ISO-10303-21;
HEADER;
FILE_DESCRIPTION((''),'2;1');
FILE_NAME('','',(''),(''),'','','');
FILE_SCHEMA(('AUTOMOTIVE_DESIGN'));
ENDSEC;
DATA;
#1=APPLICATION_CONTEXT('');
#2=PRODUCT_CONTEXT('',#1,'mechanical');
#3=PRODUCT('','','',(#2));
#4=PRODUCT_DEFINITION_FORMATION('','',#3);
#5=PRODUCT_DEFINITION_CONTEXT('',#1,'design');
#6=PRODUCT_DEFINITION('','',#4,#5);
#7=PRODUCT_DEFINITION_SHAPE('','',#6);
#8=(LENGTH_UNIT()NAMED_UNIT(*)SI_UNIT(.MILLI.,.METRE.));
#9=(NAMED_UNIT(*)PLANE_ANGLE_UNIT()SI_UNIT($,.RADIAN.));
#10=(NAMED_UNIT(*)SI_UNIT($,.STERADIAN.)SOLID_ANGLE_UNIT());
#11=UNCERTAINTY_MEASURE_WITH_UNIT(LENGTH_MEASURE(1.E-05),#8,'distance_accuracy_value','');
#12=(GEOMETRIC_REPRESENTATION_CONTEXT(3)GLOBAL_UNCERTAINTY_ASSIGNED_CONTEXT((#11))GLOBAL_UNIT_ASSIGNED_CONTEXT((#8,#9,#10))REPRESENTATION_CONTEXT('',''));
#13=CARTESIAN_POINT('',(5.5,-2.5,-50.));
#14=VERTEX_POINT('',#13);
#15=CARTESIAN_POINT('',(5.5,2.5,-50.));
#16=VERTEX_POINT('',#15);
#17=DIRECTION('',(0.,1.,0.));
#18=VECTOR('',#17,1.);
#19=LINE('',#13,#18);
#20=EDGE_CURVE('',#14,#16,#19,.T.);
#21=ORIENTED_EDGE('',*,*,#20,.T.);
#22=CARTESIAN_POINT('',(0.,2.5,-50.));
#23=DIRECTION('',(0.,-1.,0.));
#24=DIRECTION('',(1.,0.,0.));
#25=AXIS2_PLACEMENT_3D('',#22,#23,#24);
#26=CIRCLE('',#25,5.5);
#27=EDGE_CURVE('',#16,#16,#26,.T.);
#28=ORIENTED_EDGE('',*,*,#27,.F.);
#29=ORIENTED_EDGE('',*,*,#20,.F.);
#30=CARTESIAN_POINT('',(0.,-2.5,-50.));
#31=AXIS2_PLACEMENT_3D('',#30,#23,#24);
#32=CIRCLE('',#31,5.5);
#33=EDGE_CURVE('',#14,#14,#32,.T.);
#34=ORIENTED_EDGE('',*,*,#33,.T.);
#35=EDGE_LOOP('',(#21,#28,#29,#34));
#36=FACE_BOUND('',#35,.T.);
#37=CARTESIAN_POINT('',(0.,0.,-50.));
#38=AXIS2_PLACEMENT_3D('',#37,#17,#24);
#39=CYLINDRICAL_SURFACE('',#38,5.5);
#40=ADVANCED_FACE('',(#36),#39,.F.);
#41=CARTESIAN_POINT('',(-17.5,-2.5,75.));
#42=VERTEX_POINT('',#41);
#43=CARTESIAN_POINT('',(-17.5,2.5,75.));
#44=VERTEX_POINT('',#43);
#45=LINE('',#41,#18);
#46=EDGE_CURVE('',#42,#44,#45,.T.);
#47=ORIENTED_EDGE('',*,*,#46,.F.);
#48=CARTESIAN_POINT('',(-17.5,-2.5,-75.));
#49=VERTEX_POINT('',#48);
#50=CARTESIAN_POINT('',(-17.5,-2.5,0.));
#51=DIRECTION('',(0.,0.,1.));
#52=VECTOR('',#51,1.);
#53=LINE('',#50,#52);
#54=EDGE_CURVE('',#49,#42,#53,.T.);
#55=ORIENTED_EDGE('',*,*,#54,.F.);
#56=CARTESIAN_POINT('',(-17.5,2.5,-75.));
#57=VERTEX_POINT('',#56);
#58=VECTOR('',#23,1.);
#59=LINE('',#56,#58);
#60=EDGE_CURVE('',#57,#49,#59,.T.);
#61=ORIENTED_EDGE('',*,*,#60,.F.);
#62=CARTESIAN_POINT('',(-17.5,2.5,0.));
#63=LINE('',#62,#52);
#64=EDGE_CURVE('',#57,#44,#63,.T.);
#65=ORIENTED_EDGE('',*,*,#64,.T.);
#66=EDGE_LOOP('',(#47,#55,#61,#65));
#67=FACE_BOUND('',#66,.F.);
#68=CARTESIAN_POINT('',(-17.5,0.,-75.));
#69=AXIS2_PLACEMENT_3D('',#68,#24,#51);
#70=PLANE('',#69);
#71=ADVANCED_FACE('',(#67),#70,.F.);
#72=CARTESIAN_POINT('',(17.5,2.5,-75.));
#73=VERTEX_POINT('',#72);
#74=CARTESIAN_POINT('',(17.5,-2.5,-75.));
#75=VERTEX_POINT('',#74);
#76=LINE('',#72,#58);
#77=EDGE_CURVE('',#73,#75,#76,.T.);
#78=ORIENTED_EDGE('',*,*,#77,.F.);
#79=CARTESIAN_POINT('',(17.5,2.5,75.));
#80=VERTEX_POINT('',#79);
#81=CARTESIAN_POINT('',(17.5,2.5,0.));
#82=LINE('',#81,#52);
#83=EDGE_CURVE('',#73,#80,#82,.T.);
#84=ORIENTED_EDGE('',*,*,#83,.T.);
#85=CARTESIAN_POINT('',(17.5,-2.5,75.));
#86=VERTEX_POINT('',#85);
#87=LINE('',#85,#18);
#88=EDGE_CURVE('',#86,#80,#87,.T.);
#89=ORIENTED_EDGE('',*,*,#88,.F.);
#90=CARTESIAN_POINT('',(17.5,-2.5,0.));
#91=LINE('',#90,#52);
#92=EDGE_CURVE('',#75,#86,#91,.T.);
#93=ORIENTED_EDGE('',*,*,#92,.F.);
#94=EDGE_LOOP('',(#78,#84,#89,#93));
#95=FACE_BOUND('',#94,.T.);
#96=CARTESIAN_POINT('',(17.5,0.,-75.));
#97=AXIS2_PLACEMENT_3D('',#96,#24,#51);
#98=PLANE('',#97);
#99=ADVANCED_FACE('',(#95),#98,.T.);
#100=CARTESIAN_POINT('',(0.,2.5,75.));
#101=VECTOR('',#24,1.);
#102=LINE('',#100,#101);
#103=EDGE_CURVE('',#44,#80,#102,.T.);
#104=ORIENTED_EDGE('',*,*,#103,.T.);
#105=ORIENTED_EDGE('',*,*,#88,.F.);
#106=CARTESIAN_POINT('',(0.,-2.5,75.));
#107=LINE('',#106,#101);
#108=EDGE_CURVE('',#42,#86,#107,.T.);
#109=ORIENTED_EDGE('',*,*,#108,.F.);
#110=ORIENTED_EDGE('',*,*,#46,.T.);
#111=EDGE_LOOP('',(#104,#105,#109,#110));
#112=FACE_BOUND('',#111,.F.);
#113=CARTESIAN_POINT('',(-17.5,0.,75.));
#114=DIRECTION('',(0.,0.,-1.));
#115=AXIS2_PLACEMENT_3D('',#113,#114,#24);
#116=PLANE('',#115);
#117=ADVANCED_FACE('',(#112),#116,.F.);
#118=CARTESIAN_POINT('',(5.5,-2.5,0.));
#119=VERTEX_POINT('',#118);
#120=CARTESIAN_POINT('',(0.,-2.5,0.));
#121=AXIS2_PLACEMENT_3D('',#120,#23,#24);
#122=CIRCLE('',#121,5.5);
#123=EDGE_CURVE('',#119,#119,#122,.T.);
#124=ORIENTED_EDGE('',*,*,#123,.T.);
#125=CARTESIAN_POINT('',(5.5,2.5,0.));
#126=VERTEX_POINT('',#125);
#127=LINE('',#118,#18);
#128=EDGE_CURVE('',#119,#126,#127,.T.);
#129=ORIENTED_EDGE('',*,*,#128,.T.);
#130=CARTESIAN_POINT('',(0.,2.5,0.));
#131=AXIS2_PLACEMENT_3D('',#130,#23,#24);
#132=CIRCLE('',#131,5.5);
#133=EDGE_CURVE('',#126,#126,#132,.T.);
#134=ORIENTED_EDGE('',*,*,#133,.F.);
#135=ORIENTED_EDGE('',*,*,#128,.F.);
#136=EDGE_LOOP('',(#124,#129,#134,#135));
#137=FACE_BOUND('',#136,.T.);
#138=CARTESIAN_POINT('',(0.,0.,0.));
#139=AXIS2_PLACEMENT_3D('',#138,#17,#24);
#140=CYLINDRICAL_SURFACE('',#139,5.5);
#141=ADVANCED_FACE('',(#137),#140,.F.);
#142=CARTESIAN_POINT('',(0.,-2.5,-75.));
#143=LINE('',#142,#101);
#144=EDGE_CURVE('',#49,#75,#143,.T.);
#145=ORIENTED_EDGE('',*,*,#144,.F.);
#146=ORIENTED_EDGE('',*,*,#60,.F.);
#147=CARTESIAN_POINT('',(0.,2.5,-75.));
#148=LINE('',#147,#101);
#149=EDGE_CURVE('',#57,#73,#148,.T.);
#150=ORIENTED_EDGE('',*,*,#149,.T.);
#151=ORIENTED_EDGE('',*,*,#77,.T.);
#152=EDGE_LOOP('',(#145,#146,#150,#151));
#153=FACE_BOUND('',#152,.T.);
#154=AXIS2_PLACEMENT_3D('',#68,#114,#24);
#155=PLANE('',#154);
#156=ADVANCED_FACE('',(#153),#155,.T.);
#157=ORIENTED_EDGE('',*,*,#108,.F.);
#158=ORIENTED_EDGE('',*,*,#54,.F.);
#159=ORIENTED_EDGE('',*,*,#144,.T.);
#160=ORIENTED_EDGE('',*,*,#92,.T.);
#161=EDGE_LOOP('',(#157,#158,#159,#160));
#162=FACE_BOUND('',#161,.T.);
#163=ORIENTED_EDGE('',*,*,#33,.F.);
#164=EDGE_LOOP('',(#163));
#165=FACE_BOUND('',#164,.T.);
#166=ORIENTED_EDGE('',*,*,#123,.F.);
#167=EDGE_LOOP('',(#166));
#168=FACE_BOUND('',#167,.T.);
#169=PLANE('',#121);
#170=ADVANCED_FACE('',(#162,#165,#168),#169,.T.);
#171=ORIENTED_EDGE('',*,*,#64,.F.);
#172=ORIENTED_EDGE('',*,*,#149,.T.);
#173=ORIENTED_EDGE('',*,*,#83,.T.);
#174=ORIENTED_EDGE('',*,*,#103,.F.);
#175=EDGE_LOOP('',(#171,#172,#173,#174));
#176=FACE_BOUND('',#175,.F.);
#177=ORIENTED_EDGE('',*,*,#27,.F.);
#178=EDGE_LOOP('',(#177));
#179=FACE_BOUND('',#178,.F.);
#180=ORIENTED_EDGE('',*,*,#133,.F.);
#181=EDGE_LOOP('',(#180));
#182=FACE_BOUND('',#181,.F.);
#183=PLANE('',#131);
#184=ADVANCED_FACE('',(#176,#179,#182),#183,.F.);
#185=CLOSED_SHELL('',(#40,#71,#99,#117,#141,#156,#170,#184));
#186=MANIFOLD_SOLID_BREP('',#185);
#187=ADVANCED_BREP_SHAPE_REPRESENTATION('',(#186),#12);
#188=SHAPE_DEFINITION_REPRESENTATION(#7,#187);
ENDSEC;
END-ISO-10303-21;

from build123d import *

# Parameters (mm, degrees)
F0_W     = 35
F0_H     = 150
F0_R     = 5.5
F1_DEPTH = 2.5


with BuildPart() as f1:
    # F0 (on Front) → F1 (new body, symmetric)
    with BuildSketch(Plane.XZ):
        Rectangle(F0_W, F0_H)
        with Locations((0, -50)):
            Circle(F0_R, mode=Mode.SUBTRACT)
        Circle(F0_R, mode=Mode.SUBTRACT)
    extrude(amount=F1_DEPTH, both=True)


solid = f1.part
